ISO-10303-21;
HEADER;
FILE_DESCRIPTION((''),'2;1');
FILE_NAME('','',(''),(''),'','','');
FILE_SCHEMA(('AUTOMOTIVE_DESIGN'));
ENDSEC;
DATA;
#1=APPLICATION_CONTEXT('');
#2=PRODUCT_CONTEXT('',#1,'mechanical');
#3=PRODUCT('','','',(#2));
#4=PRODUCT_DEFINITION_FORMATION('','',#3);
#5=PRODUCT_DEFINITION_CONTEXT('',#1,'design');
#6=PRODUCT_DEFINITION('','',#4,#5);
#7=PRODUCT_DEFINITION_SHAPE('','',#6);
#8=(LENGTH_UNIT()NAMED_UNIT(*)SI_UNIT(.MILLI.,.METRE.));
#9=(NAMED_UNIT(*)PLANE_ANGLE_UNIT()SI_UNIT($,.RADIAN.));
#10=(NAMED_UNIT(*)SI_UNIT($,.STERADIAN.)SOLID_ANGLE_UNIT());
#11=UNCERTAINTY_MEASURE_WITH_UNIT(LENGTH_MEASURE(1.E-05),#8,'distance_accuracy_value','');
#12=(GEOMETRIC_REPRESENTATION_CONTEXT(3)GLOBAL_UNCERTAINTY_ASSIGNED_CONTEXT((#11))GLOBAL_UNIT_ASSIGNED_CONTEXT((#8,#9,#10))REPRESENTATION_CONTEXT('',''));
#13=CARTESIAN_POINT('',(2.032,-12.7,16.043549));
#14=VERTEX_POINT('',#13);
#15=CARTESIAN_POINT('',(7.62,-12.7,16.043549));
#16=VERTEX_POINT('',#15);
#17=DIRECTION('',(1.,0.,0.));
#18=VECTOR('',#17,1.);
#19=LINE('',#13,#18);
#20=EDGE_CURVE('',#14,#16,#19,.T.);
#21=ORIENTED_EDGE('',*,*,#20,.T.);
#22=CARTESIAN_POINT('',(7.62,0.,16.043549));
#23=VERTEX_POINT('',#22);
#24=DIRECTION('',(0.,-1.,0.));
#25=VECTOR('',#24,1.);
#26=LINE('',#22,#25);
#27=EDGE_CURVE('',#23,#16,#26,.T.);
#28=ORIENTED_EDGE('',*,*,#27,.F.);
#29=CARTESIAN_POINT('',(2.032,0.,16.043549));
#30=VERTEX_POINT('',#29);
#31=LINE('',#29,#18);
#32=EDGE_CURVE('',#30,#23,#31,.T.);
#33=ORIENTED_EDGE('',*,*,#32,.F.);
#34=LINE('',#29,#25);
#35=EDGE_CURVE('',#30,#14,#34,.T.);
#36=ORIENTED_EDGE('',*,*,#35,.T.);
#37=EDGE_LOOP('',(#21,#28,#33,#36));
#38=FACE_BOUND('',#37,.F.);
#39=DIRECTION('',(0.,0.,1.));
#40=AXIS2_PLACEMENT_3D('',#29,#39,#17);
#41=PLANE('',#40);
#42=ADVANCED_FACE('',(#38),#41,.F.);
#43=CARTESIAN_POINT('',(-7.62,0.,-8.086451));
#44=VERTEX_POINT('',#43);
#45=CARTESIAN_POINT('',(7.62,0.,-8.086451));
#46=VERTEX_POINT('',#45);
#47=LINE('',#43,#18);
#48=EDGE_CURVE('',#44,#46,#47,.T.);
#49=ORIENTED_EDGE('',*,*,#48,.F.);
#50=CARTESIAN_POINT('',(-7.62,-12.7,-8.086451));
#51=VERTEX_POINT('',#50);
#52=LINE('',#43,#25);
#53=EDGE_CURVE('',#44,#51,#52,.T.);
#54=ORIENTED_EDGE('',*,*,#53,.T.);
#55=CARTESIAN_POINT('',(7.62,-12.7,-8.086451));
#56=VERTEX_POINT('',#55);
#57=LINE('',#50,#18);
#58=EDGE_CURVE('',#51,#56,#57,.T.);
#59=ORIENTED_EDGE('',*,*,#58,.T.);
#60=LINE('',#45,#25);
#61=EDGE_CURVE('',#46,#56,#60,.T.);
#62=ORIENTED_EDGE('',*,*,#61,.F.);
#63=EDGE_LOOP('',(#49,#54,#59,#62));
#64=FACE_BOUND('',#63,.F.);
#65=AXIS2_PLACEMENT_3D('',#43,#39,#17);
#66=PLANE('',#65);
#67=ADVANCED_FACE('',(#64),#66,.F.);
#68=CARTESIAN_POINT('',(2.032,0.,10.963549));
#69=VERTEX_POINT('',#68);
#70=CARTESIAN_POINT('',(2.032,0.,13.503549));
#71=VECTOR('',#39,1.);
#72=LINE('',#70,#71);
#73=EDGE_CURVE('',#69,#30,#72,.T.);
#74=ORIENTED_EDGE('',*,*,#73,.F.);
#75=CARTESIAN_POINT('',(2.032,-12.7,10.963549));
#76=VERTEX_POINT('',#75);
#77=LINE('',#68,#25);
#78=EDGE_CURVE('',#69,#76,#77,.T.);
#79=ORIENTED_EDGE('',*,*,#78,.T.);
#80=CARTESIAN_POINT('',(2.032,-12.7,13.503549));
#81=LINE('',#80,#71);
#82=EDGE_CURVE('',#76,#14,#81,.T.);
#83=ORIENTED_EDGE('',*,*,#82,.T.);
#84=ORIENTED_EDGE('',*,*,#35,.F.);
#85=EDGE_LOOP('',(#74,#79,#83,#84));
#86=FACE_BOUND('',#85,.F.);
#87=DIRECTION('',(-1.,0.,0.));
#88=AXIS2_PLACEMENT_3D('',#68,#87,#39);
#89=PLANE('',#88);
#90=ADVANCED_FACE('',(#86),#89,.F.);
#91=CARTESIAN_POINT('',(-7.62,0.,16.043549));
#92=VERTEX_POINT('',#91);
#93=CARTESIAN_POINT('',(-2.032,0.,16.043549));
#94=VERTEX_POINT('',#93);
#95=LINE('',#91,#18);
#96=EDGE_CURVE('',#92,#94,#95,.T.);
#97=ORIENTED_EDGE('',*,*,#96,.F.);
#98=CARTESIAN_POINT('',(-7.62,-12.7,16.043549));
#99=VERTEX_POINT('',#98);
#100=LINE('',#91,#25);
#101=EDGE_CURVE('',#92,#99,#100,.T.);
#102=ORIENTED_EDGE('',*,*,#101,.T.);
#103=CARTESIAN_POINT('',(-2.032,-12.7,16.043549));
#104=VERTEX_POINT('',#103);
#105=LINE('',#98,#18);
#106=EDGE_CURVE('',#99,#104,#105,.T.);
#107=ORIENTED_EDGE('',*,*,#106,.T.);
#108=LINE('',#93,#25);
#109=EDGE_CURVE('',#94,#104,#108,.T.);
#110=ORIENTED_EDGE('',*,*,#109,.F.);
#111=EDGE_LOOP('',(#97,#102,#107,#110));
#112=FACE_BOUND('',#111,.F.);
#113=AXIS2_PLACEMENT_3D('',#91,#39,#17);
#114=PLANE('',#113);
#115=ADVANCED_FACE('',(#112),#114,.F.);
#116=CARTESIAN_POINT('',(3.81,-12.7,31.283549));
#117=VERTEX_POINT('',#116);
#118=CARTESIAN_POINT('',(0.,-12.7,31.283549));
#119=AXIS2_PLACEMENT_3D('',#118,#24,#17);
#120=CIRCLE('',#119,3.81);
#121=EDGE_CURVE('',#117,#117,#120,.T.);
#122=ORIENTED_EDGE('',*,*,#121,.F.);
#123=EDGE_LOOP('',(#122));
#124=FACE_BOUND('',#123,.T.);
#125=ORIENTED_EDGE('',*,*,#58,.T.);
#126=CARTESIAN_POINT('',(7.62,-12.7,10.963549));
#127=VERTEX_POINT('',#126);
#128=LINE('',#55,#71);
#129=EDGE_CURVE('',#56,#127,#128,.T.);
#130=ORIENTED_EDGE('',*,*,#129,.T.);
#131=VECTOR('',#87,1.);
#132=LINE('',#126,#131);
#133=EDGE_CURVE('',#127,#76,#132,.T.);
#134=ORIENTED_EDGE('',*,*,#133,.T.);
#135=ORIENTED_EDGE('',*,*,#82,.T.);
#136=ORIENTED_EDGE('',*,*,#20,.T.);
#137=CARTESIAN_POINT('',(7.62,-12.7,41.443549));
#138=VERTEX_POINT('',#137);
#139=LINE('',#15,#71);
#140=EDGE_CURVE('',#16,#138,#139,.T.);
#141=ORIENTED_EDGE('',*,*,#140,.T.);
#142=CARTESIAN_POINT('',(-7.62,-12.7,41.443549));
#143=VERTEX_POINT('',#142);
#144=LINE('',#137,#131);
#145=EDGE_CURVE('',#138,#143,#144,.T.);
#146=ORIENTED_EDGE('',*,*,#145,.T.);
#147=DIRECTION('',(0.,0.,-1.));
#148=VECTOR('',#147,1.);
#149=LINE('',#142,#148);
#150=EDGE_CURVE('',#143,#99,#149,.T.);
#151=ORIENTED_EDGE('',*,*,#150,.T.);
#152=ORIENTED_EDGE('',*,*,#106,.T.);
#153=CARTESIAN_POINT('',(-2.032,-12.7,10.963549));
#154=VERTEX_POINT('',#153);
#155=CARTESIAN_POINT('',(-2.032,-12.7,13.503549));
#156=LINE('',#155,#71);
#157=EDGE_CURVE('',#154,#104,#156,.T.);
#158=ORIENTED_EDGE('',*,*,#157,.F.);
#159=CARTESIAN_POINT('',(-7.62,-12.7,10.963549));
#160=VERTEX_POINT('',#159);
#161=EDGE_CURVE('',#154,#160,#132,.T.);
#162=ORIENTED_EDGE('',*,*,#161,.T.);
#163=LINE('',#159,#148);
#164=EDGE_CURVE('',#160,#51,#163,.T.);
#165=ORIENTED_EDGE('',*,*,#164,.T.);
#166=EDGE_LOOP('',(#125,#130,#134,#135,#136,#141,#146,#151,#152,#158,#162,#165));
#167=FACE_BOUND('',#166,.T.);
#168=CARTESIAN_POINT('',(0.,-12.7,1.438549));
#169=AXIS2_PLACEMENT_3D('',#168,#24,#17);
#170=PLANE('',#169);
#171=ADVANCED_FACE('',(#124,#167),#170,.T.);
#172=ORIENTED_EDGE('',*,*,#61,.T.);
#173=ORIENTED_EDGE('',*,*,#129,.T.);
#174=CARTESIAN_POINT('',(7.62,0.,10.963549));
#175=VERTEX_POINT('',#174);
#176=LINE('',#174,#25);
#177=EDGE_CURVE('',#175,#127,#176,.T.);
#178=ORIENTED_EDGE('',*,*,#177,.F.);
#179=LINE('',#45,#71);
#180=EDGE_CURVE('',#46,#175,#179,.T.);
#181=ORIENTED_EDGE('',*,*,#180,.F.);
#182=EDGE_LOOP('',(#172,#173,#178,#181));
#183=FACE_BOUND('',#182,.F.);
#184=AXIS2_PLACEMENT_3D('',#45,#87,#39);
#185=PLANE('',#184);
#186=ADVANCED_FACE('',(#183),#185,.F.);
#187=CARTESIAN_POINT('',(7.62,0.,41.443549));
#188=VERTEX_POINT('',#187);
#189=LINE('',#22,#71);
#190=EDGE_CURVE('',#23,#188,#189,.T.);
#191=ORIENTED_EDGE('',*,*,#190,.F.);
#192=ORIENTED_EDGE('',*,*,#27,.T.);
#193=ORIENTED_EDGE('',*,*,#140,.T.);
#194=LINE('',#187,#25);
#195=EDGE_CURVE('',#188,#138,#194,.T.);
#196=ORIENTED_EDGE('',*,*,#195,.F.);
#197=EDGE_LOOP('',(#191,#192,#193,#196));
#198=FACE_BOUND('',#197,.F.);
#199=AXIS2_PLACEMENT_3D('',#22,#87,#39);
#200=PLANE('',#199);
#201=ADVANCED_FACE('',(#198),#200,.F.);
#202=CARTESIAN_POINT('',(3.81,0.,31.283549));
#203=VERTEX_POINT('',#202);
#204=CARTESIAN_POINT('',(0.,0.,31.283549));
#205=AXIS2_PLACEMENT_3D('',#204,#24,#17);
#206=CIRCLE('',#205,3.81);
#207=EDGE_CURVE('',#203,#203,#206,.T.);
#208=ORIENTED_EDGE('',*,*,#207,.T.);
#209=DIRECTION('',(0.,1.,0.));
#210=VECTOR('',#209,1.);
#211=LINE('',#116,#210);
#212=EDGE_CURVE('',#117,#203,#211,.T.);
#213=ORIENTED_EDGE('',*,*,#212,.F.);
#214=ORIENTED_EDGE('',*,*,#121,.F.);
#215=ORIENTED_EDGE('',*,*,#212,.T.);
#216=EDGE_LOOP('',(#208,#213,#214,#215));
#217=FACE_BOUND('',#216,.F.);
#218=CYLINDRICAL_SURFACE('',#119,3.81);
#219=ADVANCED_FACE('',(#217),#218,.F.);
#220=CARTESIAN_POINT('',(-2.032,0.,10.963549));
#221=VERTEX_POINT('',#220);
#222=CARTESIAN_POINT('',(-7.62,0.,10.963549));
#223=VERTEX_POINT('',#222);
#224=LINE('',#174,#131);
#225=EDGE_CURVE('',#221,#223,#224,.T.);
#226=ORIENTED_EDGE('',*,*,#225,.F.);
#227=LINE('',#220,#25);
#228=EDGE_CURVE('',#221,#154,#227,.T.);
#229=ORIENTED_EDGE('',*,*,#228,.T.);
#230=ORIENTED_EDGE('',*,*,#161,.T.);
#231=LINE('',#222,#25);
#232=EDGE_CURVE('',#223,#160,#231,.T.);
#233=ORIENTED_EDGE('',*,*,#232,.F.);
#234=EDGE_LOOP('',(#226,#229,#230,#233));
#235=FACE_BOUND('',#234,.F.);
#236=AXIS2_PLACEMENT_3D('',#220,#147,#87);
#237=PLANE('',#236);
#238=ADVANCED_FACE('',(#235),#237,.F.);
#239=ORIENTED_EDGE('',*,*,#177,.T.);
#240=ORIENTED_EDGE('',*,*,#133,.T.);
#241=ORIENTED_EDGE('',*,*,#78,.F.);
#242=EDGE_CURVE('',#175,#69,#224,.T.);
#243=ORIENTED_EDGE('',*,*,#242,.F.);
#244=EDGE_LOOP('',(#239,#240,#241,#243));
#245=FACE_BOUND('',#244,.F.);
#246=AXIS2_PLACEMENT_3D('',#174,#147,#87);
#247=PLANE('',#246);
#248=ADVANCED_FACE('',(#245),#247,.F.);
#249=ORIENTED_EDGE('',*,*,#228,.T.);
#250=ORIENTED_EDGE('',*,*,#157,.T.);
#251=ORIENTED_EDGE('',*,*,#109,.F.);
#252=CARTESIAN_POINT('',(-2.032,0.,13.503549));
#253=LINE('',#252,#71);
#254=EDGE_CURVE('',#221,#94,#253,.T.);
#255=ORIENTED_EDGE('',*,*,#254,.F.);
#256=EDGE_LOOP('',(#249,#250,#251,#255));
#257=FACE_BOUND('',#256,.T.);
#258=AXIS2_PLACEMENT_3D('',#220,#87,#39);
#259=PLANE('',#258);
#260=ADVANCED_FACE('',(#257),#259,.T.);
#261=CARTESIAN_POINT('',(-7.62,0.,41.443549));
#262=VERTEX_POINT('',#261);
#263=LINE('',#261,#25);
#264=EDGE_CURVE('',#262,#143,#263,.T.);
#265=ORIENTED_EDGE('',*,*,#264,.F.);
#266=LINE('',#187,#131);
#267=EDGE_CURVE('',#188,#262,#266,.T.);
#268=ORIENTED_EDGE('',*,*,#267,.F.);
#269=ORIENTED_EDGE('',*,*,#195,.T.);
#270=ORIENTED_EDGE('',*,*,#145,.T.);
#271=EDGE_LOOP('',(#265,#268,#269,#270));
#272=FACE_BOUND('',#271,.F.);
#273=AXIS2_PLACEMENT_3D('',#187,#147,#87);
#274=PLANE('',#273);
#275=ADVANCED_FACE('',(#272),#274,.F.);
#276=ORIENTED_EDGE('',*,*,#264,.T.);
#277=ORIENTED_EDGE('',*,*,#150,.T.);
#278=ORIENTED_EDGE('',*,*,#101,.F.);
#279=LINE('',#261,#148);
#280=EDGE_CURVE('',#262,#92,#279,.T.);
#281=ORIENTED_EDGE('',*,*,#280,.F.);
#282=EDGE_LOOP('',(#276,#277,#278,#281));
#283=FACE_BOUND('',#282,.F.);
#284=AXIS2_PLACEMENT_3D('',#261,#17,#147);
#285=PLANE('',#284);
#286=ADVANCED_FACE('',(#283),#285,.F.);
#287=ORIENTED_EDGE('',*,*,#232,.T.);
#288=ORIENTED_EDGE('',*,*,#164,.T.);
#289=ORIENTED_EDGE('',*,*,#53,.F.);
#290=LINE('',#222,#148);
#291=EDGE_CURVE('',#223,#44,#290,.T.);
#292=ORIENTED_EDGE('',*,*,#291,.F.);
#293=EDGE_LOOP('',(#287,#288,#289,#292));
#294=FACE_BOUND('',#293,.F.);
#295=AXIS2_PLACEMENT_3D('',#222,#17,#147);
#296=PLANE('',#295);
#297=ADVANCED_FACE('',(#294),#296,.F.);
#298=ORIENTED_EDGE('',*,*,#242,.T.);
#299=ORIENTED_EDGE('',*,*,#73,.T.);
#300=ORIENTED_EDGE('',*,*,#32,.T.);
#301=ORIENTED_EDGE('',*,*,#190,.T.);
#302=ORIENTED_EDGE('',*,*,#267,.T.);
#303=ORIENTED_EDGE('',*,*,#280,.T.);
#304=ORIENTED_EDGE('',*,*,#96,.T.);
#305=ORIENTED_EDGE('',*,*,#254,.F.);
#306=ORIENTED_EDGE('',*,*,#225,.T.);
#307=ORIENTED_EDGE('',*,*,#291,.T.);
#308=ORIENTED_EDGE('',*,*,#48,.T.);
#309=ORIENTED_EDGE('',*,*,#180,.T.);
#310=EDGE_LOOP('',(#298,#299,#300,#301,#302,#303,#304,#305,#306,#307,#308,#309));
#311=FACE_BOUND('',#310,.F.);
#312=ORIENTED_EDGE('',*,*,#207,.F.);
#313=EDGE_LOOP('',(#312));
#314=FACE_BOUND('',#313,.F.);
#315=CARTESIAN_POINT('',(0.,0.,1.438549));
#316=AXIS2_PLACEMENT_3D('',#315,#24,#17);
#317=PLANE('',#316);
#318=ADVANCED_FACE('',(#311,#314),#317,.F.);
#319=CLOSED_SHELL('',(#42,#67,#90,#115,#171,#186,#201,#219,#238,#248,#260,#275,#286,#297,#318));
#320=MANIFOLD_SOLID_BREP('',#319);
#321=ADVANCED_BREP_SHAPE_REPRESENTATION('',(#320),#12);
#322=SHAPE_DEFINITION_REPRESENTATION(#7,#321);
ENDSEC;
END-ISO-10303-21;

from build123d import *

# Parameters (mm, degrees)
F0_W     = 4.064
F0_H     = 5.08
F1_DEPTH = 12.7
F2_R     = 3.81
F3_DEPTH = 25.4


with BuildPart() as f1:
    # F0 (on Front) → F1 (new body)
    with BuildSketch(Plane.XZ):
        Polygon((-7.62, -8.086451), (0, -8.086451), (7.62, -8.086451), (7.62, 10.963549), (3.556, 10.963549), (2.032, 10.963549), (-2.032, 10.963549), (-3.556, 10.963549), (-7.62, 10.963549), align=None)
        with Locations((0, 13.503549)):
            Rectangle(F0_W, F0_H)
        Polygon((-3.556, 16.043549), (-2.032, 16.043549), (2.032, 16.043549), (3.556, 16.043549), (7.62, 16.043549), (7.62, 41.443549), (0, 41.443549), (-7.62, 41.443549), (-7.62, 16.043549), align=None)
    extrude(amount=F1_DEPTH)

    # F2 (on face) → F3 (cut)
    with BuildSketch(Plane.XZ.offset(12.7)):
        with Locations((0, 31.283549)):
            Circle(F2_R)
    extrude(amount=-F3_DEPTH, mode=Mode.SUBTRACT)


solid = f1.part
